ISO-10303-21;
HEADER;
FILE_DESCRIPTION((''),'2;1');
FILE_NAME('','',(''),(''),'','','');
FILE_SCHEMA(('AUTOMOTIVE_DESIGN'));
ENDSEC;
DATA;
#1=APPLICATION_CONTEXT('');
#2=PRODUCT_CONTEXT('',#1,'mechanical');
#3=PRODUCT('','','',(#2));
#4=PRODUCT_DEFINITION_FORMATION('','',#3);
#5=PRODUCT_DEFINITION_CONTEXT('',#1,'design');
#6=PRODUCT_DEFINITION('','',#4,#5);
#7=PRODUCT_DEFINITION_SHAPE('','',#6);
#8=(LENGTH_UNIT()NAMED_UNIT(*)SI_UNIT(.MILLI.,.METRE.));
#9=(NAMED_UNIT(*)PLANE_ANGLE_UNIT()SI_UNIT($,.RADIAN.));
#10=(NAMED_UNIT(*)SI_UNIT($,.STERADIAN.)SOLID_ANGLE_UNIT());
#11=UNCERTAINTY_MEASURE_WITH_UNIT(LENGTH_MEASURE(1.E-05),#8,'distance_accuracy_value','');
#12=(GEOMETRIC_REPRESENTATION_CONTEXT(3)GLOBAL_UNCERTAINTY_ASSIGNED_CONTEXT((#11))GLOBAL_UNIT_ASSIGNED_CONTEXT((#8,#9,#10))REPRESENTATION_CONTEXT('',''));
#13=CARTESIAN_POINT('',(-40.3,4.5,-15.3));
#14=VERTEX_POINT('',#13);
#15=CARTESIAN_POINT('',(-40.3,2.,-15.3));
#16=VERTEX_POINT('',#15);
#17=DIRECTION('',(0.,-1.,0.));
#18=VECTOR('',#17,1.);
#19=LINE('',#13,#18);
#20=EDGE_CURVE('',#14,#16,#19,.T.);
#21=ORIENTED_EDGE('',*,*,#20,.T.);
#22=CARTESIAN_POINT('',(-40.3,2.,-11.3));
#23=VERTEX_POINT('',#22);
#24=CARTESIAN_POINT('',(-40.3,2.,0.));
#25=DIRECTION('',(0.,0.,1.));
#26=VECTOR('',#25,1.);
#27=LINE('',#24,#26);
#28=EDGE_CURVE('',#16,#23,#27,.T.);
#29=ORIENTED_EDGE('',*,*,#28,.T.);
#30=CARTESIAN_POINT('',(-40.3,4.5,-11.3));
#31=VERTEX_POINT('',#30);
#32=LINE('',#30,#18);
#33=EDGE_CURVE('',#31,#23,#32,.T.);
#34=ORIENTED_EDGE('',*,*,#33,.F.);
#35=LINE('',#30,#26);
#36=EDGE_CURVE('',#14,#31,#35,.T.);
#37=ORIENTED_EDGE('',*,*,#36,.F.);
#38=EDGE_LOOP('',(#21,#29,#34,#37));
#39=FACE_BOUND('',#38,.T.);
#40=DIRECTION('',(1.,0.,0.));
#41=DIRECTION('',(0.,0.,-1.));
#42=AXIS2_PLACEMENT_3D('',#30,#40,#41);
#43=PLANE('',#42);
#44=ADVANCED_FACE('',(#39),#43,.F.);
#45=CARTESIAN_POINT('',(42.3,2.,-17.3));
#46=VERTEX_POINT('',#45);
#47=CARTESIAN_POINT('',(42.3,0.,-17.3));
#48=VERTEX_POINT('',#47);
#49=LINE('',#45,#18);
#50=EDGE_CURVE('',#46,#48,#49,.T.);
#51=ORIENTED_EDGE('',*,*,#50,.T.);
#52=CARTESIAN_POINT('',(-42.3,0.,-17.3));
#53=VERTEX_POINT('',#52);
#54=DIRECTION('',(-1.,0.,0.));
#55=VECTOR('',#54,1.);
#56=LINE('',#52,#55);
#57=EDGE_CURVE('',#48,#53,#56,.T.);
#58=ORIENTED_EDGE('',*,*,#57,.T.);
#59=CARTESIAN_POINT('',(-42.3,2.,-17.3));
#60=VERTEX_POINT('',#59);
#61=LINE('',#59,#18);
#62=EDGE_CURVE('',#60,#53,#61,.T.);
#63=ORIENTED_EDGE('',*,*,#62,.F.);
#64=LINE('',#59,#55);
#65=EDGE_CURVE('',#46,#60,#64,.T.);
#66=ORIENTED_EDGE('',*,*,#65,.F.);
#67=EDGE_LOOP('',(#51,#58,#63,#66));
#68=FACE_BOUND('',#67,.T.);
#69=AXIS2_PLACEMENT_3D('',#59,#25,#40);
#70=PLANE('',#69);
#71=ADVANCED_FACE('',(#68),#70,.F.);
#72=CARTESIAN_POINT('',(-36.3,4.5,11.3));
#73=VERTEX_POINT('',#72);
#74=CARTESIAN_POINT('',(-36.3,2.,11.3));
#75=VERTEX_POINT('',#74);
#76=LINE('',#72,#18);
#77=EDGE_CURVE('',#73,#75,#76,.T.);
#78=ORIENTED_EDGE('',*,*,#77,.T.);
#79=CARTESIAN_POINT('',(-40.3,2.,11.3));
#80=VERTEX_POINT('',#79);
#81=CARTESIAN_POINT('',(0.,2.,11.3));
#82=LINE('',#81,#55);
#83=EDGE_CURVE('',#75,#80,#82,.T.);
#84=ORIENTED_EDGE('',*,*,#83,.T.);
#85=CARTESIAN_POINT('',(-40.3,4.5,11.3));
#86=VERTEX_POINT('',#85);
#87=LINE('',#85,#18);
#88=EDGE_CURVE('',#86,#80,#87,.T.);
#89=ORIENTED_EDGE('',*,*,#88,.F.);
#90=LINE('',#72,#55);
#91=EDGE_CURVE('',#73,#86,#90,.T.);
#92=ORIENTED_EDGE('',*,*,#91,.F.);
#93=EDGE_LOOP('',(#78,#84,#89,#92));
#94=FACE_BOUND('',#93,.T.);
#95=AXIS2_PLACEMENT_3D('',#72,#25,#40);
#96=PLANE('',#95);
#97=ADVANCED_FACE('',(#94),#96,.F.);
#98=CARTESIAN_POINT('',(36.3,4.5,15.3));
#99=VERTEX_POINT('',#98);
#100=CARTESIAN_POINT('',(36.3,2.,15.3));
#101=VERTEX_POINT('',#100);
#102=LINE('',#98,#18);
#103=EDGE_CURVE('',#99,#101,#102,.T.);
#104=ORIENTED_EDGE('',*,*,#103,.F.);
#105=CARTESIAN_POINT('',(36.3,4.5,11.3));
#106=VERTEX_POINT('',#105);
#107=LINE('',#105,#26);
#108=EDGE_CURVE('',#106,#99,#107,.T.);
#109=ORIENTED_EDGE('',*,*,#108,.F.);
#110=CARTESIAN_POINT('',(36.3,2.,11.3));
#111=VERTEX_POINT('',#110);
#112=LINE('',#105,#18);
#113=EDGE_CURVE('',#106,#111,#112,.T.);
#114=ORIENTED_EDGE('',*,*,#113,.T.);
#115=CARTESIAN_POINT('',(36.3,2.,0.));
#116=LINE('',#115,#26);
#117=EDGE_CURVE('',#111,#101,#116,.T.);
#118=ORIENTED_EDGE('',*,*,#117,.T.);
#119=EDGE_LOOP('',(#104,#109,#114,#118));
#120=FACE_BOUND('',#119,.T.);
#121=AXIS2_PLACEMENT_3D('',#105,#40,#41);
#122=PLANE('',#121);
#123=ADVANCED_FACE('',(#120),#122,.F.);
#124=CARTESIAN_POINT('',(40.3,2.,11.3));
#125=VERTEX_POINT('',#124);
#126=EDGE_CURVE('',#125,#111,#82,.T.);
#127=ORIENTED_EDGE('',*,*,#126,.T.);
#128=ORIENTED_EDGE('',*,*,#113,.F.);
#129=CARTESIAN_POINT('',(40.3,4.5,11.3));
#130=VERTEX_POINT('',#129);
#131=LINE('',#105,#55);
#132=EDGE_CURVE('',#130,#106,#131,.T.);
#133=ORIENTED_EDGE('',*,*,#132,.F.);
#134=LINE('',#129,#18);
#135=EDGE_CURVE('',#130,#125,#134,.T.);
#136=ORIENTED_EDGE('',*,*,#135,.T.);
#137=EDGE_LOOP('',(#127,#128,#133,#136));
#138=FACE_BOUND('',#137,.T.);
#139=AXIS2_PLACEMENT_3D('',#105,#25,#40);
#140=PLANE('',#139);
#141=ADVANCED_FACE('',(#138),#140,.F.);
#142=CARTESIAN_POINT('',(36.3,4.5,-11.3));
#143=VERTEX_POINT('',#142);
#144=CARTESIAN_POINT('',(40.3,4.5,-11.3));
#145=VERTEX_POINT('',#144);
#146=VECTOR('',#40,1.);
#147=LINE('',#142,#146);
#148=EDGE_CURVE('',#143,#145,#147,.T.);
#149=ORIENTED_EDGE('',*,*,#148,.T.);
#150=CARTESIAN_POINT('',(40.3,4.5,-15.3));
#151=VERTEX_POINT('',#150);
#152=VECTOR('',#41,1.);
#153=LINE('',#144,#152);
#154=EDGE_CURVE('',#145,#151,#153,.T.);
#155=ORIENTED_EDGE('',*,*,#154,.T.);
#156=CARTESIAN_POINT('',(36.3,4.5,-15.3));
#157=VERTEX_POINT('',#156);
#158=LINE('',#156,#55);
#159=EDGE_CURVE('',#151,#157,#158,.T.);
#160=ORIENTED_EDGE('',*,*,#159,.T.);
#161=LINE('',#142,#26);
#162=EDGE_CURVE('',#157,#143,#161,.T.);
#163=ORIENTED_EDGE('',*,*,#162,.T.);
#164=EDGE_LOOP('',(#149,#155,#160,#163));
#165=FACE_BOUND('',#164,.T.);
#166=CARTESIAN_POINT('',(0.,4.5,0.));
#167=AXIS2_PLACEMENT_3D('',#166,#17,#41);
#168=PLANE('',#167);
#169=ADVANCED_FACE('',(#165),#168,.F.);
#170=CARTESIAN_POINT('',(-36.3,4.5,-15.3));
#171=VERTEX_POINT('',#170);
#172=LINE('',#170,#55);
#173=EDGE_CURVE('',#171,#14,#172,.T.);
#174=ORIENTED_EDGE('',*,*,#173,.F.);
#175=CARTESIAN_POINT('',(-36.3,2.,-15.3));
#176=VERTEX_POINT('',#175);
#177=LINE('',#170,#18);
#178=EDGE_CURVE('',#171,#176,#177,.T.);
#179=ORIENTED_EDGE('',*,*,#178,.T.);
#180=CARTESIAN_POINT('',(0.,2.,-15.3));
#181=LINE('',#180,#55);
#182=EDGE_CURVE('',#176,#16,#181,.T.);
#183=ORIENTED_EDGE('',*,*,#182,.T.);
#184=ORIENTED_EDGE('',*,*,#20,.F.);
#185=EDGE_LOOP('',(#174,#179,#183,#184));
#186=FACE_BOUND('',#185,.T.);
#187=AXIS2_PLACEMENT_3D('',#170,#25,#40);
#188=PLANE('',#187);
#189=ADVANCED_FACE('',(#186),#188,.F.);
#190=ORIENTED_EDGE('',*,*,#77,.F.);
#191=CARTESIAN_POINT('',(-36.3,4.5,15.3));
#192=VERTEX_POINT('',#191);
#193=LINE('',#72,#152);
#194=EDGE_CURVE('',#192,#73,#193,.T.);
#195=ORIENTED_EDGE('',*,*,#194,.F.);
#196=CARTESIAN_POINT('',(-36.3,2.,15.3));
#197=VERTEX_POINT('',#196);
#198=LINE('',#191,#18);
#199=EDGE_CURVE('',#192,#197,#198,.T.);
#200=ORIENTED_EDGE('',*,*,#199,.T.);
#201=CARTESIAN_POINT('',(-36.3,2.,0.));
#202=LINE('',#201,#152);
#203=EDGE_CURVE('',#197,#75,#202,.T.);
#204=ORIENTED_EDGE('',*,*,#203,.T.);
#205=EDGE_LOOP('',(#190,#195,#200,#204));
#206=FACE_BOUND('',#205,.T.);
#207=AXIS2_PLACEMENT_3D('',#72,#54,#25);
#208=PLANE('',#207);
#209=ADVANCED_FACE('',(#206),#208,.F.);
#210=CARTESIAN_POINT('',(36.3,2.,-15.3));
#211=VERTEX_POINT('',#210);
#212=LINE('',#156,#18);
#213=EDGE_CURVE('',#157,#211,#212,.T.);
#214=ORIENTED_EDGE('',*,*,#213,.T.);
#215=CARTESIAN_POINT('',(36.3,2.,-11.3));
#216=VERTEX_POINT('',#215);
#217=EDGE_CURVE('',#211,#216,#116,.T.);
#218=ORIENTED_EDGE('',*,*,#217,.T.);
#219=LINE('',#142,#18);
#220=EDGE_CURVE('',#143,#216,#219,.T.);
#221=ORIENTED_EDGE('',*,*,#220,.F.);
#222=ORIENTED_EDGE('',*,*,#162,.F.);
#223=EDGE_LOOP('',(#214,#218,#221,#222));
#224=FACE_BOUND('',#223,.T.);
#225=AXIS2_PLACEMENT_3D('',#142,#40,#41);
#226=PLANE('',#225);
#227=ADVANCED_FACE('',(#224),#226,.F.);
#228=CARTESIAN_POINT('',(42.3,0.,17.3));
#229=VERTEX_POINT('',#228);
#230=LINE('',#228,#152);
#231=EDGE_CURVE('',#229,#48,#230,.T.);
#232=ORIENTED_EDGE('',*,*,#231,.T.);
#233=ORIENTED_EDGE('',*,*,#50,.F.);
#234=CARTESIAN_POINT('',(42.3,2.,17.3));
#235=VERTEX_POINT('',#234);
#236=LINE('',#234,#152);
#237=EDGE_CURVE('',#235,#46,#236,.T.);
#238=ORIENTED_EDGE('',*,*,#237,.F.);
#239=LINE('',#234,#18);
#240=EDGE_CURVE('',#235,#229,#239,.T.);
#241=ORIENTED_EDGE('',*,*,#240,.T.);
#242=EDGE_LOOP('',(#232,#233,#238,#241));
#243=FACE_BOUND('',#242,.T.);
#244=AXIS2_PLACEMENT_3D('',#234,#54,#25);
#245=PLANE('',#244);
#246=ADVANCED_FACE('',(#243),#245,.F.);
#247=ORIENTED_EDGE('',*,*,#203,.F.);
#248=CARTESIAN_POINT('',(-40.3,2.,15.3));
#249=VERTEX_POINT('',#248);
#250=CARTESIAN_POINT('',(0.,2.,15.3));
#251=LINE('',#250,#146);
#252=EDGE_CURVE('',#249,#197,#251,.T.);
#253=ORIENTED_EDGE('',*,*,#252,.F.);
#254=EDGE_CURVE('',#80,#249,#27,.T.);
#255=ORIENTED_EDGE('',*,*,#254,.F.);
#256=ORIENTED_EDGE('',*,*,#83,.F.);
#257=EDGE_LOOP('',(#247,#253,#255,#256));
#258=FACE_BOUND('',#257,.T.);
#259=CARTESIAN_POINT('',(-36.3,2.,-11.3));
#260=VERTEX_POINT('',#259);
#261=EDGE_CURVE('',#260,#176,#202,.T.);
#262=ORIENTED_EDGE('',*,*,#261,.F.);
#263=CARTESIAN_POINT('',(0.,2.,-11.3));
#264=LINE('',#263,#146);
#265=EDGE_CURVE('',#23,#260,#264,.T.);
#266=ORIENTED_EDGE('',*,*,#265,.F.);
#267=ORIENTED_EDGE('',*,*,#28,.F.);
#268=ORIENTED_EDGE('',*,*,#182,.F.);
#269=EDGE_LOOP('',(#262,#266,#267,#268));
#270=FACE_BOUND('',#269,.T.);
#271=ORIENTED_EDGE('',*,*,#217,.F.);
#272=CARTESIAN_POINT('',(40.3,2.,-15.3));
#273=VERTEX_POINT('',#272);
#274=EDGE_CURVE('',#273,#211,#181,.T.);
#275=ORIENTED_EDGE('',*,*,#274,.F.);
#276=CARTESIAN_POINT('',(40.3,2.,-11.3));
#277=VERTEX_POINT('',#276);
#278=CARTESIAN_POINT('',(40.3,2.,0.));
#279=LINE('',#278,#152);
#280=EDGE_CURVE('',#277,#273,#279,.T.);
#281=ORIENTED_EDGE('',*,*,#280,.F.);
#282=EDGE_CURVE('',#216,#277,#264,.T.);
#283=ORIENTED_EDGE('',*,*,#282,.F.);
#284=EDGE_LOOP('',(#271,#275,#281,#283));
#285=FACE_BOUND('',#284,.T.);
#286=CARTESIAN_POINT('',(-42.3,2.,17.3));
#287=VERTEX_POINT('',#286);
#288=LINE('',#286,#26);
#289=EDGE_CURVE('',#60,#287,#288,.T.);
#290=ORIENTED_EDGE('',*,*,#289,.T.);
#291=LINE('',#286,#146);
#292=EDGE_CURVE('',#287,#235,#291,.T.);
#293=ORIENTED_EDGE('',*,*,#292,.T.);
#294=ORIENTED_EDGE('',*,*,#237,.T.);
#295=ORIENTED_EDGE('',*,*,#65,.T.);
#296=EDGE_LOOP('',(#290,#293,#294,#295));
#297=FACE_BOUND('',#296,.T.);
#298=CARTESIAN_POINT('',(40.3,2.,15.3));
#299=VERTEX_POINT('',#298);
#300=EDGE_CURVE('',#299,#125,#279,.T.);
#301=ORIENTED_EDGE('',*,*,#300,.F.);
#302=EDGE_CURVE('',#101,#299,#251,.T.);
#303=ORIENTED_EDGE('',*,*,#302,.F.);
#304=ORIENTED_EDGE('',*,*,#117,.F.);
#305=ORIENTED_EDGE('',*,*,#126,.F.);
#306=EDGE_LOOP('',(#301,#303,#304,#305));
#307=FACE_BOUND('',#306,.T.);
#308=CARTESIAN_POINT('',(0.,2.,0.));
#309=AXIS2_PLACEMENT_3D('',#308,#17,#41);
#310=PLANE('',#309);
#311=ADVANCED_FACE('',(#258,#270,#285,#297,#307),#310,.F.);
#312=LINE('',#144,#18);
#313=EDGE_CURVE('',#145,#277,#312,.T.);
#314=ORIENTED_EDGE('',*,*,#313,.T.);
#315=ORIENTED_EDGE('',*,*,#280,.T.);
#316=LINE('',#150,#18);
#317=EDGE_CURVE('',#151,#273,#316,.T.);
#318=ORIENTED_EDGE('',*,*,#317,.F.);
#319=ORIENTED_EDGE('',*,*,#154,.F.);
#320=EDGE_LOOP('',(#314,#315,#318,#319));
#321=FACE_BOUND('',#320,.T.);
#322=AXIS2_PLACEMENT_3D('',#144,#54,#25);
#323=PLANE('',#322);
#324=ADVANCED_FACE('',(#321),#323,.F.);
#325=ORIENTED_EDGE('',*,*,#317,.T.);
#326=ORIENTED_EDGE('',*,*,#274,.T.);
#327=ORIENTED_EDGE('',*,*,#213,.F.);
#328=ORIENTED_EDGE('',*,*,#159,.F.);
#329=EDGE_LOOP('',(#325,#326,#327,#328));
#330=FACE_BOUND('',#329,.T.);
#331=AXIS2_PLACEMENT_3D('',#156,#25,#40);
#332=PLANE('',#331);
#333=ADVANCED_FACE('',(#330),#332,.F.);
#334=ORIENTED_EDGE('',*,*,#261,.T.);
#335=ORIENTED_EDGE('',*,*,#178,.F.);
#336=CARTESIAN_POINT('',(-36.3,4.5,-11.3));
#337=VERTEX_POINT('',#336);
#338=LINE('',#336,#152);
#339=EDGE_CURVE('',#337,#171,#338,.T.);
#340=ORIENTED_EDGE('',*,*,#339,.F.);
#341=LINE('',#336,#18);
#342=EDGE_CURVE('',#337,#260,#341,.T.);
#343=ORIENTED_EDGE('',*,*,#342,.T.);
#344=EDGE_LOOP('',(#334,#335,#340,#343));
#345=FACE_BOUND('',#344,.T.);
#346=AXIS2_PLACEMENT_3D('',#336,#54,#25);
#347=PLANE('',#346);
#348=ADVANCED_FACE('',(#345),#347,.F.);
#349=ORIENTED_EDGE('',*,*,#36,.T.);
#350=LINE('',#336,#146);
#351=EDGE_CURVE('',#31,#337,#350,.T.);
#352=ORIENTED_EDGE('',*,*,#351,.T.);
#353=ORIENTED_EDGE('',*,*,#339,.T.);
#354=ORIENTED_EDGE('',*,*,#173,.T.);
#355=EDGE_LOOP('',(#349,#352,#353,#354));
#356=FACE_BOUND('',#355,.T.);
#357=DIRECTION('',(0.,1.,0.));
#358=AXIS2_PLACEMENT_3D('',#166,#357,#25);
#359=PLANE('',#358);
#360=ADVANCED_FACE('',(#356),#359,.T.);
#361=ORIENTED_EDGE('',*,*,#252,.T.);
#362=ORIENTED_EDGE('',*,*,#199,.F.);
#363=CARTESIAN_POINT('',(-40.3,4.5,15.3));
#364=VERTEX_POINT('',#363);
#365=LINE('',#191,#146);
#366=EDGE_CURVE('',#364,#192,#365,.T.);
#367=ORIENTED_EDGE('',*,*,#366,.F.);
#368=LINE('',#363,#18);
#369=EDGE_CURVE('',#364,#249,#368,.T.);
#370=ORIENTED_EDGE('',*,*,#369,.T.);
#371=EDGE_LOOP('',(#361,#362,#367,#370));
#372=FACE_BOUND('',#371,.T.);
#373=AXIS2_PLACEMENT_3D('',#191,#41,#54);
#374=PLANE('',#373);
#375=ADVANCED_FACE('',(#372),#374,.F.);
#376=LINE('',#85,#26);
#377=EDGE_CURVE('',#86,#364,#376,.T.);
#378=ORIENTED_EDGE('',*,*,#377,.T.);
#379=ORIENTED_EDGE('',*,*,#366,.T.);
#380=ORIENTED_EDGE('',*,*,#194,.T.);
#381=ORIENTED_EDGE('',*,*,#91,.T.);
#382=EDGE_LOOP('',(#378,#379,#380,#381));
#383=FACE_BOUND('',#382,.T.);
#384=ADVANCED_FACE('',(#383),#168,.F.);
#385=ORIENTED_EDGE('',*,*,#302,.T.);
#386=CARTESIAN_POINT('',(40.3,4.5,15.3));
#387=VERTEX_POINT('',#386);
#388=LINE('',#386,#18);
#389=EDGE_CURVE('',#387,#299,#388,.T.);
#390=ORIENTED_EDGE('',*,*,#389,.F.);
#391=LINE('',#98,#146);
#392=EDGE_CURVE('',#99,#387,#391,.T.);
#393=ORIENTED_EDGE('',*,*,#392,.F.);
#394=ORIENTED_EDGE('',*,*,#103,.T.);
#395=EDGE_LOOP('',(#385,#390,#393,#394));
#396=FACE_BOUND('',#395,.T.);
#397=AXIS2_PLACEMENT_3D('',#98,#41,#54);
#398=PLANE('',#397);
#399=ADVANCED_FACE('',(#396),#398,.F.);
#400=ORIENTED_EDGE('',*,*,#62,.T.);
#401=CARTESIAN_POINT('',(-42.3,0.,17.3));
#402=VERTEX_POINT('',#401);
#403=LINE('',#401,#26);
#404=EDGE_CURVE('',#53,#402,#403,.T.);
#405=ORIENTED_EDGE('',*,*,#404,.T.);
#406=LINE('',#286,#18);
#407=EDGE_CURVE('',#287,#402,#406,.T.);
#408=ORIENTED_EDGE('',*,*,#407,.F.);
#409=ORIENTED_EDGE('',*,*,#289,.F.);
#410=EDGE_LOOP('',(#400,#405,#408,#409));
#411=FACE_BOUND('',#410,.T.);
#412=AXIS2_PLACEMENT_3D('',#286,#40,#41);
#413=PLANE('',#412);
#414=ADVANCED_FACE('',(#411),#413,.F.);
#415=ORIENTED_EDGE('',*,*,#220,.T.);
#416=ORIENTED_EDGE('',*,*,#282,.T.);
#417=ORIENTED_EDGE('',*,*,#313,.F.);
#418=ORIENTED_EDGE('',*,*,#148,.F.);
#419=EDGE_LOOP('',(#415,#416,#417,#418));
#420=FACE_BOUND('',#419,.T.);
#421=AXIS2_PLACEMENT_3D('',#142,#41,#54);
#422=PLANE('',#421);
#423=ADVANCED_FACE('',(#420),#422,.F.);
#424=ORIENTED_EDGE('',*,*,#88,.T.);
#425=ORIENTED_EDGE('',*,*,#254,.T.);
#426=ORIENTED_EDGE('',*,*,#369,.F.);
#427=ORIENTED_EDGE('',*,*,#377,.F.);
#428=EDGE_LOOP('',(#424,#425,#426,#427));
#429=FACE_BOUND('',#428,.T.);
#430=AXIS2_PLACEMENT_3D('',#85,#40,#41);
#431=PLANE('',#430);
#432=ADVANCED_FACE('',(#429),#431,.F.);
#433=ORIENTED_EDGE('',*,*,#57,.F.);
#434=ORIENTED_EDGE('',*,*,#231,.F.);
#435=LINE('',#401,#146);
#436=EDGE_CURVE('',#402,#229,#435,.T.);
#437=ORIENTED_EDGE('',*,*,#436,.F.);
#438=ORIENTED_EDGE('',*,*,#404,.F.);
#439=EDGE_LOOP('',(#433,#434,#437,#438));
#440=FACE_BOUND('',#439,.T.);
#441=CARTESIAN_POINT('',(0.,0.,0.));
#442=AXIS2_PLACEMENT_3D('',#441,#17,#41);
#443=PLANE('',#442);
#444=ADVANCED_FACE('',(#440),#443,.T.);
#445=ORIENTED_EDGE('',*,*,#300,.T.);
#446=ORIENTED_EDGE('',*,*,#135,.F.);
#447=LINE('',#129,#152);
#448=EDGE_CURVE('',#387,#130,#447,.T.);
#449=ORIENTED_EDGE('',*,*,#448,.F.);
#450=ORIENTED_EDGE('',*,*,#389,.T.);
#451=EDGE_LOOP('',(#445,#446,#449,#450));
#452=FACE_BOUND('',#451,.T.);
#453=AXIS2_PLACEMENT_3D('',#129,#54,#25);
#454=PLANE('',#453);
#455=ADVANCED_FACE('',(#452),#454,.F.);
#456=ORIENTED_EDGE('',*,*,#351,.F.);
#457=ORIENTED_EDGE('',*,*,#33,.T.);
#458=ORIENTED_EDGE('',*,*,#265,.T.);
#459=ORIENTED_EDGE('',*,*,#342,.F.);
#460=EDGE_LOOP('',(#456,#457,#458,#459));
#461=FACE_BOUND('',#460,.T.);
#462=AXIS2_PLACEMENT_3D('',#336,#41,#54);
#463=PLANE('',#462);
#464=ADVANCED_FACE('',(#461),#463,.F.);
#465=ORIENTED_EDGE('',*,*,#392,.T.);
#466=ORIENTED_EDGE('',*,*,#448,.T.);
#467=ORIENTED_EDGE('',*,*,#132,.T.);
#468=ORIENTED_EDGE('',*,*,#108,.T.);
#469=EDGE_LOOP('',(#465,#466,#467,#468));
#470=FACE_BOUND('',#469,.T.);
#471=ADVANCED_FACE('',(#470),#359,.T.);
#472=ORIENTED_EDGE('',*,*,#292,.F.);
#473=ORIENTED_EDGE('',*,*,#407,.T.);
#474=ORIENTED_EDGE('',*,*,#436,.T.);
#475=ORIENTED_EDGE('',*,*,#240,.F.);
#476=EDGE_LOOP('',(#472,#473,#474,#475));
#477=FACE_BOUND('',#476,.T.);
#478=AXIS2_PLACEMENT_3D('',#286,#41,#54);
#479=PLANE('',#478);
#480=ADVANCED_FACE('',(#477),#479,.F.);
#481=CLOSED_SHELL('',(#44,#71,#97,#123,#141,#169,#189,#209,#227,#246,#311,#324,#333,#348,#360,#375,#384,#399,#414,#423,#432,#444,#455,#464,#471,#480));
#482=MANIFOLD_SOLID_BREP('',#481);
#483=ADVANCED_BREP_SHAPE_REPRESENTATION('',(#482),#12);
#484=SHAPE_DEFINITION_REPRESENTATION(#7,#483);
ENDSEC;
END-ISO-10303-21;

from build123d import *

# Parameters (mm, degrees)
SKETCH_1_W      = 84.6
SKETCH_1_H      = 34.6
EXTRUDE_1_DEPTH = 2
SKETCH_3_W      = 4
SKETCH_3_H      = 4
EXTRUDE_3_DEPTH = 4.5


with BuildPart() as part:
    # 草图1 → 凸台-拉伸1 (new body)
    with BuildSketch(Plane(origin=(0, 0, 0), x_dir=(1, 0, 0), z_dir=(0, 1, 0))):
        Rectangle(SKETCH_1_W, SKETCH_1_H)
    extrude(amount=EXTRUDE_1_DEPTH)

    # 草图3 → 凸台-拉伸3 (add)
    with BuildSketch(Plane(origin=(0, 0, 0), x_dir=(1, 0, 0), z_dir=(0, 1, 0))):
        with Locations((38.3, 13.3)):
            Rectangle(SKETCH_3_W, SKETCH_3_H)
        with Locations((38.3, -13.3)):
            Rectangle(SKETCH_3_W, SKETCH_3_H)
        with Locations((-38.3, 13.3)):
            Rectangle(SKETCH_3_W, SKETCH_3_H)
        with Locations((-38.3, -13.3)):
            Rectangle(SKETCH_3_W, SKETCH_3_H)
    extrude(amount=EXTRUDE_3_DEPTH)


solid = part.part
